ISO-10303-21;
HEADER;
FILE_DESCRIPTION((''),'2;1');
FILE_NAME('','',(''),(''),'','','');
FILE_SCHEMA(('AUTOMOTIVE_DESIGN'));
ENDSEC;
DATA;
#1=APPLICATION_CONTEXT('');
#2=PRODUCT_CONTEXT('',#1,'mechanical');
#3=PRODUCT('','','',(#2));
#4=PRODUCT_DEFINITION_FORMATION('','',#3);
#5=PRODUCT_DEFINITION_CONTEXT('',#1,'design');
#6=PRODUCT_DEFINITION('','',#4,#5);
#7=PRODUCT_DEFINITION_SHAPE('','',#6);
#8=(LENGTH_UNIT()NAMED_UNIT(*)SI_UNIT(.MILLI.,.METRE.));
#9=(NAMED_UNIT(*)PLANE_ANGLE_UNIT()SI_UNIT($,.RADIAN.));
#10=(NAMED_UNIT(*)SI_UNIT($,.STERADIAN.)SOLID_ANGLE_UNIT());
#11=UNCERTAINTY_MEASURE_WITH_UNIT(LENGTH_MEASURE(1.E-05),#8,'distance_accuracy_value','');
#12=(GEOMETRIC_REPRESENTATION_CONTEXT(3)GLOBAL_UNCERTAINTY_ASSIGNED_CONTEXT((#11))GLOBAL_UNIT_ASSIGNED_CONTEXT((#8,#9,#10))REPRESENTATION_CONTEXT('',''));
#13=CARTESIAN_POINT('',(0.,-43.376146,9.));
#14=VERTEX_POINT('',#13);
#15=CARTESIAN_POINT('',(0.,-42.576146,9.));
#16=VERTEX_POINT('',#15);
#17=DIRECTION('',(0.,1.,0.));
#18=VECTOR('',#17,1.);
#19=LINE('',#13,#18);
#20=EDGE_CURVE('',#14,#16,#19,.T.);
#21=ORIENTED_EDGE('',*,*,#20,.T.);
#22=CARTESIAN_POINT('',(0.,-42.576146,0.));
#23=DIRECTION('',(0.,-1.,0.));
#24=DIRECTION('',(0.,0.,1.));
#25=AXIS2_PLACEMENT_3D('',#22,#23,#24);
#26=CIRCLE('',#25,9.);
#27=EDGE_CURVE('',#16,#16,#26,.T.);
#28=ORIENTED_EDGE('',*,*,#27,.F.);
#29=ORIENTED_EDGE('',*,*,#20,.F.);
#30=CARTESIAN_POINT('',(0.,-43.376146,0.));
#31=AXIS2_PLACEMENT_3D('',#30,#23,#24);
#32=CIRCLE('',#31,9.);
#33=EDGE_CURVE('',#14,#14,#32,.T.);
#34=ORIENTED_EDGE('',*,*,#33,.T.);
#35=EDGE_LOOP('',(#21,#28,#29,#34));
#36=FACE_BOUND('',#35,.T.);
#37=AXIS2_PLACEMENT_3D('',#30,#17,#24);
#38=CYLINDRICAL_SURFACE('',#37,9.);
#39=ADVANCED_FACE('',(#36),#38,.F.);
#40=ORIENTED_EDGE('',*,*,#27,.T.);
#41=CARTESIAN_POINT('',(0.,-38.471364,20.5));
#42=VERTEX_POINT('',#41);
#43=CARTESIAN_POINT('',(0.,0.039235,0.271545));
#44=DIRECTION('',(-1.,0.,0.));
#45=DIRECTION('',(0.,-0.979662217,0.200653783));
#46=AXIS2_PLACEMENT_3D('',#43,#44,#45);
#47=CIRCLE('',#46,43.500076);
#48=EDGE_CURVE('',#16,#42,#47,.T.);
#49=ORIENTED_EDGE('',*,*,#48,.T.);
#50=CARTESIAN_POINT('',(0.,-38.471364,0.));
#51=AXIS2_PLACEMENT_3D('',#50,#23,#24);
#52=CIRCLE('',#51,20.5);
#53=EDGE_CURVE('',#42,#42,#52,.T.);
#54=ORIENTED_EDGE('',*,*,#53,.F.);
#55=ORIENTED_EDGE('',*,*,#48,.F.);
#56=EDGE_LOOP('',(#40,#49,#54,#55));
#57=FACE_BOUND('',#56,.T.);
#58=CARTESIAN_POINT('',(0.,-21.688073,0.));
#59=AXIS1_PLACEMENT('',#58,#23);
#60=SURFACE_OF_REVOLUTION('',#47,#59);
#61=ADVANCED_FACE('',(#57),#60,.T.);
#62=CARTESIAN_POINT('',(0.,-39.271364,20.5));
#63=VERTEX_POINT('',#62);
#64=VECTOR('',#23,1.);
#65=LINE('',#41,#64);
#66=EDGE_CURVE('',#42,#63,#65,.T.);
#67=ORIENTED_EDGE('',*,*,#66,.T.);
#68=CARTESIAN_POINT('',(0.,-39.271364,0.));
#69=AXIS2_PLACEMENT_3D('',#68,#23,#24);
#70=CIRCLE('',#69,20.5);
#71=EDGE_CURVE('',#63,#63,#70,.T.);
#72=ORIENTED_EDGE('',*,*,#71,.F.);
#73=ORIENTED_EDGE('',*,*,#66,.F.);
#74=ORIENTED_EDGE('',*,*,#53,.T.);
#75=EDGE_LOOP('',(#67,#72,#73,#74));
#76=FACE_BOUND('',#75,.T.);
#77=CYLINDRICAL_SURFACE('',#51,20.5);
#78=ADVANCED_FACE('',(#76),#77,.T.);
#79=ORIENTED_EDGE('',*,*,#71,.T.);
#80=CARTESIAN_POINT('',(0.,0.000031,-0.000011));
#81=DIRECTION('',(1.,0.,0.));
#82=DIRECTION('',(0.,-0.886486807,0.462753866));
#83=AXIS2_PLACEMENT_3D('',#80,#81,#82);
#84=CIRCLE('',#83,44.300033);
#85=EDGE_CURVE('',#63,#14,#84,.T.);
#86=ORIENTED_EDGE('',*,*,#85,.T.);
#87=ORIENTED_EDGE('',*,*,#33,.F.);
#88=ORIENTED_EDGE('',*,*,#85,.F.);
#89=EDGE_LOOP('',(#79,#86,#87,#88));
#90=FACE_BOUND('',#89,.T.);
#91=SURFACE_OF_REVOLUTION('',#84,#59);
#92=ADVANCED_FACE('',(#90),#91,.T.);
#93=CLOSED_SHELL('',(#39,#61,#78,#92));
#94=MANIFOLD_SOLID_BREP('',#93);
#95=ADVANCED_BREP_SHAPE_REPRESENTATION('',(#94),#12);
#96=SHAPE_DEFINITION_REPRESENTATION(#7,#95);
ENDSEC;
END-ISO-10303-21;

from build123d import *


with BuildPart() as f1:
    # F0 (on Right) → F1 (revolve)
    with BuildSketch(Plane.YZ):
        with BuildLine():
            ThreePointArc((-39.271364, 20.5), (-41.721879, 14.892106), (-43.376146, 9))
            Line((-43.376146, 9), (-42.576146, 9))
            ThreePointArc((-42.576146, 9), (-40.929273, 14.894745), (-38.471364, 20.5))
            Line((-38.471364, 20.5), (-39.271364, 20.5))
        make_face()
    revolve(axis=Axis((0, -21.688073, 0), (0, -1, 0)))


solid = f1.part
